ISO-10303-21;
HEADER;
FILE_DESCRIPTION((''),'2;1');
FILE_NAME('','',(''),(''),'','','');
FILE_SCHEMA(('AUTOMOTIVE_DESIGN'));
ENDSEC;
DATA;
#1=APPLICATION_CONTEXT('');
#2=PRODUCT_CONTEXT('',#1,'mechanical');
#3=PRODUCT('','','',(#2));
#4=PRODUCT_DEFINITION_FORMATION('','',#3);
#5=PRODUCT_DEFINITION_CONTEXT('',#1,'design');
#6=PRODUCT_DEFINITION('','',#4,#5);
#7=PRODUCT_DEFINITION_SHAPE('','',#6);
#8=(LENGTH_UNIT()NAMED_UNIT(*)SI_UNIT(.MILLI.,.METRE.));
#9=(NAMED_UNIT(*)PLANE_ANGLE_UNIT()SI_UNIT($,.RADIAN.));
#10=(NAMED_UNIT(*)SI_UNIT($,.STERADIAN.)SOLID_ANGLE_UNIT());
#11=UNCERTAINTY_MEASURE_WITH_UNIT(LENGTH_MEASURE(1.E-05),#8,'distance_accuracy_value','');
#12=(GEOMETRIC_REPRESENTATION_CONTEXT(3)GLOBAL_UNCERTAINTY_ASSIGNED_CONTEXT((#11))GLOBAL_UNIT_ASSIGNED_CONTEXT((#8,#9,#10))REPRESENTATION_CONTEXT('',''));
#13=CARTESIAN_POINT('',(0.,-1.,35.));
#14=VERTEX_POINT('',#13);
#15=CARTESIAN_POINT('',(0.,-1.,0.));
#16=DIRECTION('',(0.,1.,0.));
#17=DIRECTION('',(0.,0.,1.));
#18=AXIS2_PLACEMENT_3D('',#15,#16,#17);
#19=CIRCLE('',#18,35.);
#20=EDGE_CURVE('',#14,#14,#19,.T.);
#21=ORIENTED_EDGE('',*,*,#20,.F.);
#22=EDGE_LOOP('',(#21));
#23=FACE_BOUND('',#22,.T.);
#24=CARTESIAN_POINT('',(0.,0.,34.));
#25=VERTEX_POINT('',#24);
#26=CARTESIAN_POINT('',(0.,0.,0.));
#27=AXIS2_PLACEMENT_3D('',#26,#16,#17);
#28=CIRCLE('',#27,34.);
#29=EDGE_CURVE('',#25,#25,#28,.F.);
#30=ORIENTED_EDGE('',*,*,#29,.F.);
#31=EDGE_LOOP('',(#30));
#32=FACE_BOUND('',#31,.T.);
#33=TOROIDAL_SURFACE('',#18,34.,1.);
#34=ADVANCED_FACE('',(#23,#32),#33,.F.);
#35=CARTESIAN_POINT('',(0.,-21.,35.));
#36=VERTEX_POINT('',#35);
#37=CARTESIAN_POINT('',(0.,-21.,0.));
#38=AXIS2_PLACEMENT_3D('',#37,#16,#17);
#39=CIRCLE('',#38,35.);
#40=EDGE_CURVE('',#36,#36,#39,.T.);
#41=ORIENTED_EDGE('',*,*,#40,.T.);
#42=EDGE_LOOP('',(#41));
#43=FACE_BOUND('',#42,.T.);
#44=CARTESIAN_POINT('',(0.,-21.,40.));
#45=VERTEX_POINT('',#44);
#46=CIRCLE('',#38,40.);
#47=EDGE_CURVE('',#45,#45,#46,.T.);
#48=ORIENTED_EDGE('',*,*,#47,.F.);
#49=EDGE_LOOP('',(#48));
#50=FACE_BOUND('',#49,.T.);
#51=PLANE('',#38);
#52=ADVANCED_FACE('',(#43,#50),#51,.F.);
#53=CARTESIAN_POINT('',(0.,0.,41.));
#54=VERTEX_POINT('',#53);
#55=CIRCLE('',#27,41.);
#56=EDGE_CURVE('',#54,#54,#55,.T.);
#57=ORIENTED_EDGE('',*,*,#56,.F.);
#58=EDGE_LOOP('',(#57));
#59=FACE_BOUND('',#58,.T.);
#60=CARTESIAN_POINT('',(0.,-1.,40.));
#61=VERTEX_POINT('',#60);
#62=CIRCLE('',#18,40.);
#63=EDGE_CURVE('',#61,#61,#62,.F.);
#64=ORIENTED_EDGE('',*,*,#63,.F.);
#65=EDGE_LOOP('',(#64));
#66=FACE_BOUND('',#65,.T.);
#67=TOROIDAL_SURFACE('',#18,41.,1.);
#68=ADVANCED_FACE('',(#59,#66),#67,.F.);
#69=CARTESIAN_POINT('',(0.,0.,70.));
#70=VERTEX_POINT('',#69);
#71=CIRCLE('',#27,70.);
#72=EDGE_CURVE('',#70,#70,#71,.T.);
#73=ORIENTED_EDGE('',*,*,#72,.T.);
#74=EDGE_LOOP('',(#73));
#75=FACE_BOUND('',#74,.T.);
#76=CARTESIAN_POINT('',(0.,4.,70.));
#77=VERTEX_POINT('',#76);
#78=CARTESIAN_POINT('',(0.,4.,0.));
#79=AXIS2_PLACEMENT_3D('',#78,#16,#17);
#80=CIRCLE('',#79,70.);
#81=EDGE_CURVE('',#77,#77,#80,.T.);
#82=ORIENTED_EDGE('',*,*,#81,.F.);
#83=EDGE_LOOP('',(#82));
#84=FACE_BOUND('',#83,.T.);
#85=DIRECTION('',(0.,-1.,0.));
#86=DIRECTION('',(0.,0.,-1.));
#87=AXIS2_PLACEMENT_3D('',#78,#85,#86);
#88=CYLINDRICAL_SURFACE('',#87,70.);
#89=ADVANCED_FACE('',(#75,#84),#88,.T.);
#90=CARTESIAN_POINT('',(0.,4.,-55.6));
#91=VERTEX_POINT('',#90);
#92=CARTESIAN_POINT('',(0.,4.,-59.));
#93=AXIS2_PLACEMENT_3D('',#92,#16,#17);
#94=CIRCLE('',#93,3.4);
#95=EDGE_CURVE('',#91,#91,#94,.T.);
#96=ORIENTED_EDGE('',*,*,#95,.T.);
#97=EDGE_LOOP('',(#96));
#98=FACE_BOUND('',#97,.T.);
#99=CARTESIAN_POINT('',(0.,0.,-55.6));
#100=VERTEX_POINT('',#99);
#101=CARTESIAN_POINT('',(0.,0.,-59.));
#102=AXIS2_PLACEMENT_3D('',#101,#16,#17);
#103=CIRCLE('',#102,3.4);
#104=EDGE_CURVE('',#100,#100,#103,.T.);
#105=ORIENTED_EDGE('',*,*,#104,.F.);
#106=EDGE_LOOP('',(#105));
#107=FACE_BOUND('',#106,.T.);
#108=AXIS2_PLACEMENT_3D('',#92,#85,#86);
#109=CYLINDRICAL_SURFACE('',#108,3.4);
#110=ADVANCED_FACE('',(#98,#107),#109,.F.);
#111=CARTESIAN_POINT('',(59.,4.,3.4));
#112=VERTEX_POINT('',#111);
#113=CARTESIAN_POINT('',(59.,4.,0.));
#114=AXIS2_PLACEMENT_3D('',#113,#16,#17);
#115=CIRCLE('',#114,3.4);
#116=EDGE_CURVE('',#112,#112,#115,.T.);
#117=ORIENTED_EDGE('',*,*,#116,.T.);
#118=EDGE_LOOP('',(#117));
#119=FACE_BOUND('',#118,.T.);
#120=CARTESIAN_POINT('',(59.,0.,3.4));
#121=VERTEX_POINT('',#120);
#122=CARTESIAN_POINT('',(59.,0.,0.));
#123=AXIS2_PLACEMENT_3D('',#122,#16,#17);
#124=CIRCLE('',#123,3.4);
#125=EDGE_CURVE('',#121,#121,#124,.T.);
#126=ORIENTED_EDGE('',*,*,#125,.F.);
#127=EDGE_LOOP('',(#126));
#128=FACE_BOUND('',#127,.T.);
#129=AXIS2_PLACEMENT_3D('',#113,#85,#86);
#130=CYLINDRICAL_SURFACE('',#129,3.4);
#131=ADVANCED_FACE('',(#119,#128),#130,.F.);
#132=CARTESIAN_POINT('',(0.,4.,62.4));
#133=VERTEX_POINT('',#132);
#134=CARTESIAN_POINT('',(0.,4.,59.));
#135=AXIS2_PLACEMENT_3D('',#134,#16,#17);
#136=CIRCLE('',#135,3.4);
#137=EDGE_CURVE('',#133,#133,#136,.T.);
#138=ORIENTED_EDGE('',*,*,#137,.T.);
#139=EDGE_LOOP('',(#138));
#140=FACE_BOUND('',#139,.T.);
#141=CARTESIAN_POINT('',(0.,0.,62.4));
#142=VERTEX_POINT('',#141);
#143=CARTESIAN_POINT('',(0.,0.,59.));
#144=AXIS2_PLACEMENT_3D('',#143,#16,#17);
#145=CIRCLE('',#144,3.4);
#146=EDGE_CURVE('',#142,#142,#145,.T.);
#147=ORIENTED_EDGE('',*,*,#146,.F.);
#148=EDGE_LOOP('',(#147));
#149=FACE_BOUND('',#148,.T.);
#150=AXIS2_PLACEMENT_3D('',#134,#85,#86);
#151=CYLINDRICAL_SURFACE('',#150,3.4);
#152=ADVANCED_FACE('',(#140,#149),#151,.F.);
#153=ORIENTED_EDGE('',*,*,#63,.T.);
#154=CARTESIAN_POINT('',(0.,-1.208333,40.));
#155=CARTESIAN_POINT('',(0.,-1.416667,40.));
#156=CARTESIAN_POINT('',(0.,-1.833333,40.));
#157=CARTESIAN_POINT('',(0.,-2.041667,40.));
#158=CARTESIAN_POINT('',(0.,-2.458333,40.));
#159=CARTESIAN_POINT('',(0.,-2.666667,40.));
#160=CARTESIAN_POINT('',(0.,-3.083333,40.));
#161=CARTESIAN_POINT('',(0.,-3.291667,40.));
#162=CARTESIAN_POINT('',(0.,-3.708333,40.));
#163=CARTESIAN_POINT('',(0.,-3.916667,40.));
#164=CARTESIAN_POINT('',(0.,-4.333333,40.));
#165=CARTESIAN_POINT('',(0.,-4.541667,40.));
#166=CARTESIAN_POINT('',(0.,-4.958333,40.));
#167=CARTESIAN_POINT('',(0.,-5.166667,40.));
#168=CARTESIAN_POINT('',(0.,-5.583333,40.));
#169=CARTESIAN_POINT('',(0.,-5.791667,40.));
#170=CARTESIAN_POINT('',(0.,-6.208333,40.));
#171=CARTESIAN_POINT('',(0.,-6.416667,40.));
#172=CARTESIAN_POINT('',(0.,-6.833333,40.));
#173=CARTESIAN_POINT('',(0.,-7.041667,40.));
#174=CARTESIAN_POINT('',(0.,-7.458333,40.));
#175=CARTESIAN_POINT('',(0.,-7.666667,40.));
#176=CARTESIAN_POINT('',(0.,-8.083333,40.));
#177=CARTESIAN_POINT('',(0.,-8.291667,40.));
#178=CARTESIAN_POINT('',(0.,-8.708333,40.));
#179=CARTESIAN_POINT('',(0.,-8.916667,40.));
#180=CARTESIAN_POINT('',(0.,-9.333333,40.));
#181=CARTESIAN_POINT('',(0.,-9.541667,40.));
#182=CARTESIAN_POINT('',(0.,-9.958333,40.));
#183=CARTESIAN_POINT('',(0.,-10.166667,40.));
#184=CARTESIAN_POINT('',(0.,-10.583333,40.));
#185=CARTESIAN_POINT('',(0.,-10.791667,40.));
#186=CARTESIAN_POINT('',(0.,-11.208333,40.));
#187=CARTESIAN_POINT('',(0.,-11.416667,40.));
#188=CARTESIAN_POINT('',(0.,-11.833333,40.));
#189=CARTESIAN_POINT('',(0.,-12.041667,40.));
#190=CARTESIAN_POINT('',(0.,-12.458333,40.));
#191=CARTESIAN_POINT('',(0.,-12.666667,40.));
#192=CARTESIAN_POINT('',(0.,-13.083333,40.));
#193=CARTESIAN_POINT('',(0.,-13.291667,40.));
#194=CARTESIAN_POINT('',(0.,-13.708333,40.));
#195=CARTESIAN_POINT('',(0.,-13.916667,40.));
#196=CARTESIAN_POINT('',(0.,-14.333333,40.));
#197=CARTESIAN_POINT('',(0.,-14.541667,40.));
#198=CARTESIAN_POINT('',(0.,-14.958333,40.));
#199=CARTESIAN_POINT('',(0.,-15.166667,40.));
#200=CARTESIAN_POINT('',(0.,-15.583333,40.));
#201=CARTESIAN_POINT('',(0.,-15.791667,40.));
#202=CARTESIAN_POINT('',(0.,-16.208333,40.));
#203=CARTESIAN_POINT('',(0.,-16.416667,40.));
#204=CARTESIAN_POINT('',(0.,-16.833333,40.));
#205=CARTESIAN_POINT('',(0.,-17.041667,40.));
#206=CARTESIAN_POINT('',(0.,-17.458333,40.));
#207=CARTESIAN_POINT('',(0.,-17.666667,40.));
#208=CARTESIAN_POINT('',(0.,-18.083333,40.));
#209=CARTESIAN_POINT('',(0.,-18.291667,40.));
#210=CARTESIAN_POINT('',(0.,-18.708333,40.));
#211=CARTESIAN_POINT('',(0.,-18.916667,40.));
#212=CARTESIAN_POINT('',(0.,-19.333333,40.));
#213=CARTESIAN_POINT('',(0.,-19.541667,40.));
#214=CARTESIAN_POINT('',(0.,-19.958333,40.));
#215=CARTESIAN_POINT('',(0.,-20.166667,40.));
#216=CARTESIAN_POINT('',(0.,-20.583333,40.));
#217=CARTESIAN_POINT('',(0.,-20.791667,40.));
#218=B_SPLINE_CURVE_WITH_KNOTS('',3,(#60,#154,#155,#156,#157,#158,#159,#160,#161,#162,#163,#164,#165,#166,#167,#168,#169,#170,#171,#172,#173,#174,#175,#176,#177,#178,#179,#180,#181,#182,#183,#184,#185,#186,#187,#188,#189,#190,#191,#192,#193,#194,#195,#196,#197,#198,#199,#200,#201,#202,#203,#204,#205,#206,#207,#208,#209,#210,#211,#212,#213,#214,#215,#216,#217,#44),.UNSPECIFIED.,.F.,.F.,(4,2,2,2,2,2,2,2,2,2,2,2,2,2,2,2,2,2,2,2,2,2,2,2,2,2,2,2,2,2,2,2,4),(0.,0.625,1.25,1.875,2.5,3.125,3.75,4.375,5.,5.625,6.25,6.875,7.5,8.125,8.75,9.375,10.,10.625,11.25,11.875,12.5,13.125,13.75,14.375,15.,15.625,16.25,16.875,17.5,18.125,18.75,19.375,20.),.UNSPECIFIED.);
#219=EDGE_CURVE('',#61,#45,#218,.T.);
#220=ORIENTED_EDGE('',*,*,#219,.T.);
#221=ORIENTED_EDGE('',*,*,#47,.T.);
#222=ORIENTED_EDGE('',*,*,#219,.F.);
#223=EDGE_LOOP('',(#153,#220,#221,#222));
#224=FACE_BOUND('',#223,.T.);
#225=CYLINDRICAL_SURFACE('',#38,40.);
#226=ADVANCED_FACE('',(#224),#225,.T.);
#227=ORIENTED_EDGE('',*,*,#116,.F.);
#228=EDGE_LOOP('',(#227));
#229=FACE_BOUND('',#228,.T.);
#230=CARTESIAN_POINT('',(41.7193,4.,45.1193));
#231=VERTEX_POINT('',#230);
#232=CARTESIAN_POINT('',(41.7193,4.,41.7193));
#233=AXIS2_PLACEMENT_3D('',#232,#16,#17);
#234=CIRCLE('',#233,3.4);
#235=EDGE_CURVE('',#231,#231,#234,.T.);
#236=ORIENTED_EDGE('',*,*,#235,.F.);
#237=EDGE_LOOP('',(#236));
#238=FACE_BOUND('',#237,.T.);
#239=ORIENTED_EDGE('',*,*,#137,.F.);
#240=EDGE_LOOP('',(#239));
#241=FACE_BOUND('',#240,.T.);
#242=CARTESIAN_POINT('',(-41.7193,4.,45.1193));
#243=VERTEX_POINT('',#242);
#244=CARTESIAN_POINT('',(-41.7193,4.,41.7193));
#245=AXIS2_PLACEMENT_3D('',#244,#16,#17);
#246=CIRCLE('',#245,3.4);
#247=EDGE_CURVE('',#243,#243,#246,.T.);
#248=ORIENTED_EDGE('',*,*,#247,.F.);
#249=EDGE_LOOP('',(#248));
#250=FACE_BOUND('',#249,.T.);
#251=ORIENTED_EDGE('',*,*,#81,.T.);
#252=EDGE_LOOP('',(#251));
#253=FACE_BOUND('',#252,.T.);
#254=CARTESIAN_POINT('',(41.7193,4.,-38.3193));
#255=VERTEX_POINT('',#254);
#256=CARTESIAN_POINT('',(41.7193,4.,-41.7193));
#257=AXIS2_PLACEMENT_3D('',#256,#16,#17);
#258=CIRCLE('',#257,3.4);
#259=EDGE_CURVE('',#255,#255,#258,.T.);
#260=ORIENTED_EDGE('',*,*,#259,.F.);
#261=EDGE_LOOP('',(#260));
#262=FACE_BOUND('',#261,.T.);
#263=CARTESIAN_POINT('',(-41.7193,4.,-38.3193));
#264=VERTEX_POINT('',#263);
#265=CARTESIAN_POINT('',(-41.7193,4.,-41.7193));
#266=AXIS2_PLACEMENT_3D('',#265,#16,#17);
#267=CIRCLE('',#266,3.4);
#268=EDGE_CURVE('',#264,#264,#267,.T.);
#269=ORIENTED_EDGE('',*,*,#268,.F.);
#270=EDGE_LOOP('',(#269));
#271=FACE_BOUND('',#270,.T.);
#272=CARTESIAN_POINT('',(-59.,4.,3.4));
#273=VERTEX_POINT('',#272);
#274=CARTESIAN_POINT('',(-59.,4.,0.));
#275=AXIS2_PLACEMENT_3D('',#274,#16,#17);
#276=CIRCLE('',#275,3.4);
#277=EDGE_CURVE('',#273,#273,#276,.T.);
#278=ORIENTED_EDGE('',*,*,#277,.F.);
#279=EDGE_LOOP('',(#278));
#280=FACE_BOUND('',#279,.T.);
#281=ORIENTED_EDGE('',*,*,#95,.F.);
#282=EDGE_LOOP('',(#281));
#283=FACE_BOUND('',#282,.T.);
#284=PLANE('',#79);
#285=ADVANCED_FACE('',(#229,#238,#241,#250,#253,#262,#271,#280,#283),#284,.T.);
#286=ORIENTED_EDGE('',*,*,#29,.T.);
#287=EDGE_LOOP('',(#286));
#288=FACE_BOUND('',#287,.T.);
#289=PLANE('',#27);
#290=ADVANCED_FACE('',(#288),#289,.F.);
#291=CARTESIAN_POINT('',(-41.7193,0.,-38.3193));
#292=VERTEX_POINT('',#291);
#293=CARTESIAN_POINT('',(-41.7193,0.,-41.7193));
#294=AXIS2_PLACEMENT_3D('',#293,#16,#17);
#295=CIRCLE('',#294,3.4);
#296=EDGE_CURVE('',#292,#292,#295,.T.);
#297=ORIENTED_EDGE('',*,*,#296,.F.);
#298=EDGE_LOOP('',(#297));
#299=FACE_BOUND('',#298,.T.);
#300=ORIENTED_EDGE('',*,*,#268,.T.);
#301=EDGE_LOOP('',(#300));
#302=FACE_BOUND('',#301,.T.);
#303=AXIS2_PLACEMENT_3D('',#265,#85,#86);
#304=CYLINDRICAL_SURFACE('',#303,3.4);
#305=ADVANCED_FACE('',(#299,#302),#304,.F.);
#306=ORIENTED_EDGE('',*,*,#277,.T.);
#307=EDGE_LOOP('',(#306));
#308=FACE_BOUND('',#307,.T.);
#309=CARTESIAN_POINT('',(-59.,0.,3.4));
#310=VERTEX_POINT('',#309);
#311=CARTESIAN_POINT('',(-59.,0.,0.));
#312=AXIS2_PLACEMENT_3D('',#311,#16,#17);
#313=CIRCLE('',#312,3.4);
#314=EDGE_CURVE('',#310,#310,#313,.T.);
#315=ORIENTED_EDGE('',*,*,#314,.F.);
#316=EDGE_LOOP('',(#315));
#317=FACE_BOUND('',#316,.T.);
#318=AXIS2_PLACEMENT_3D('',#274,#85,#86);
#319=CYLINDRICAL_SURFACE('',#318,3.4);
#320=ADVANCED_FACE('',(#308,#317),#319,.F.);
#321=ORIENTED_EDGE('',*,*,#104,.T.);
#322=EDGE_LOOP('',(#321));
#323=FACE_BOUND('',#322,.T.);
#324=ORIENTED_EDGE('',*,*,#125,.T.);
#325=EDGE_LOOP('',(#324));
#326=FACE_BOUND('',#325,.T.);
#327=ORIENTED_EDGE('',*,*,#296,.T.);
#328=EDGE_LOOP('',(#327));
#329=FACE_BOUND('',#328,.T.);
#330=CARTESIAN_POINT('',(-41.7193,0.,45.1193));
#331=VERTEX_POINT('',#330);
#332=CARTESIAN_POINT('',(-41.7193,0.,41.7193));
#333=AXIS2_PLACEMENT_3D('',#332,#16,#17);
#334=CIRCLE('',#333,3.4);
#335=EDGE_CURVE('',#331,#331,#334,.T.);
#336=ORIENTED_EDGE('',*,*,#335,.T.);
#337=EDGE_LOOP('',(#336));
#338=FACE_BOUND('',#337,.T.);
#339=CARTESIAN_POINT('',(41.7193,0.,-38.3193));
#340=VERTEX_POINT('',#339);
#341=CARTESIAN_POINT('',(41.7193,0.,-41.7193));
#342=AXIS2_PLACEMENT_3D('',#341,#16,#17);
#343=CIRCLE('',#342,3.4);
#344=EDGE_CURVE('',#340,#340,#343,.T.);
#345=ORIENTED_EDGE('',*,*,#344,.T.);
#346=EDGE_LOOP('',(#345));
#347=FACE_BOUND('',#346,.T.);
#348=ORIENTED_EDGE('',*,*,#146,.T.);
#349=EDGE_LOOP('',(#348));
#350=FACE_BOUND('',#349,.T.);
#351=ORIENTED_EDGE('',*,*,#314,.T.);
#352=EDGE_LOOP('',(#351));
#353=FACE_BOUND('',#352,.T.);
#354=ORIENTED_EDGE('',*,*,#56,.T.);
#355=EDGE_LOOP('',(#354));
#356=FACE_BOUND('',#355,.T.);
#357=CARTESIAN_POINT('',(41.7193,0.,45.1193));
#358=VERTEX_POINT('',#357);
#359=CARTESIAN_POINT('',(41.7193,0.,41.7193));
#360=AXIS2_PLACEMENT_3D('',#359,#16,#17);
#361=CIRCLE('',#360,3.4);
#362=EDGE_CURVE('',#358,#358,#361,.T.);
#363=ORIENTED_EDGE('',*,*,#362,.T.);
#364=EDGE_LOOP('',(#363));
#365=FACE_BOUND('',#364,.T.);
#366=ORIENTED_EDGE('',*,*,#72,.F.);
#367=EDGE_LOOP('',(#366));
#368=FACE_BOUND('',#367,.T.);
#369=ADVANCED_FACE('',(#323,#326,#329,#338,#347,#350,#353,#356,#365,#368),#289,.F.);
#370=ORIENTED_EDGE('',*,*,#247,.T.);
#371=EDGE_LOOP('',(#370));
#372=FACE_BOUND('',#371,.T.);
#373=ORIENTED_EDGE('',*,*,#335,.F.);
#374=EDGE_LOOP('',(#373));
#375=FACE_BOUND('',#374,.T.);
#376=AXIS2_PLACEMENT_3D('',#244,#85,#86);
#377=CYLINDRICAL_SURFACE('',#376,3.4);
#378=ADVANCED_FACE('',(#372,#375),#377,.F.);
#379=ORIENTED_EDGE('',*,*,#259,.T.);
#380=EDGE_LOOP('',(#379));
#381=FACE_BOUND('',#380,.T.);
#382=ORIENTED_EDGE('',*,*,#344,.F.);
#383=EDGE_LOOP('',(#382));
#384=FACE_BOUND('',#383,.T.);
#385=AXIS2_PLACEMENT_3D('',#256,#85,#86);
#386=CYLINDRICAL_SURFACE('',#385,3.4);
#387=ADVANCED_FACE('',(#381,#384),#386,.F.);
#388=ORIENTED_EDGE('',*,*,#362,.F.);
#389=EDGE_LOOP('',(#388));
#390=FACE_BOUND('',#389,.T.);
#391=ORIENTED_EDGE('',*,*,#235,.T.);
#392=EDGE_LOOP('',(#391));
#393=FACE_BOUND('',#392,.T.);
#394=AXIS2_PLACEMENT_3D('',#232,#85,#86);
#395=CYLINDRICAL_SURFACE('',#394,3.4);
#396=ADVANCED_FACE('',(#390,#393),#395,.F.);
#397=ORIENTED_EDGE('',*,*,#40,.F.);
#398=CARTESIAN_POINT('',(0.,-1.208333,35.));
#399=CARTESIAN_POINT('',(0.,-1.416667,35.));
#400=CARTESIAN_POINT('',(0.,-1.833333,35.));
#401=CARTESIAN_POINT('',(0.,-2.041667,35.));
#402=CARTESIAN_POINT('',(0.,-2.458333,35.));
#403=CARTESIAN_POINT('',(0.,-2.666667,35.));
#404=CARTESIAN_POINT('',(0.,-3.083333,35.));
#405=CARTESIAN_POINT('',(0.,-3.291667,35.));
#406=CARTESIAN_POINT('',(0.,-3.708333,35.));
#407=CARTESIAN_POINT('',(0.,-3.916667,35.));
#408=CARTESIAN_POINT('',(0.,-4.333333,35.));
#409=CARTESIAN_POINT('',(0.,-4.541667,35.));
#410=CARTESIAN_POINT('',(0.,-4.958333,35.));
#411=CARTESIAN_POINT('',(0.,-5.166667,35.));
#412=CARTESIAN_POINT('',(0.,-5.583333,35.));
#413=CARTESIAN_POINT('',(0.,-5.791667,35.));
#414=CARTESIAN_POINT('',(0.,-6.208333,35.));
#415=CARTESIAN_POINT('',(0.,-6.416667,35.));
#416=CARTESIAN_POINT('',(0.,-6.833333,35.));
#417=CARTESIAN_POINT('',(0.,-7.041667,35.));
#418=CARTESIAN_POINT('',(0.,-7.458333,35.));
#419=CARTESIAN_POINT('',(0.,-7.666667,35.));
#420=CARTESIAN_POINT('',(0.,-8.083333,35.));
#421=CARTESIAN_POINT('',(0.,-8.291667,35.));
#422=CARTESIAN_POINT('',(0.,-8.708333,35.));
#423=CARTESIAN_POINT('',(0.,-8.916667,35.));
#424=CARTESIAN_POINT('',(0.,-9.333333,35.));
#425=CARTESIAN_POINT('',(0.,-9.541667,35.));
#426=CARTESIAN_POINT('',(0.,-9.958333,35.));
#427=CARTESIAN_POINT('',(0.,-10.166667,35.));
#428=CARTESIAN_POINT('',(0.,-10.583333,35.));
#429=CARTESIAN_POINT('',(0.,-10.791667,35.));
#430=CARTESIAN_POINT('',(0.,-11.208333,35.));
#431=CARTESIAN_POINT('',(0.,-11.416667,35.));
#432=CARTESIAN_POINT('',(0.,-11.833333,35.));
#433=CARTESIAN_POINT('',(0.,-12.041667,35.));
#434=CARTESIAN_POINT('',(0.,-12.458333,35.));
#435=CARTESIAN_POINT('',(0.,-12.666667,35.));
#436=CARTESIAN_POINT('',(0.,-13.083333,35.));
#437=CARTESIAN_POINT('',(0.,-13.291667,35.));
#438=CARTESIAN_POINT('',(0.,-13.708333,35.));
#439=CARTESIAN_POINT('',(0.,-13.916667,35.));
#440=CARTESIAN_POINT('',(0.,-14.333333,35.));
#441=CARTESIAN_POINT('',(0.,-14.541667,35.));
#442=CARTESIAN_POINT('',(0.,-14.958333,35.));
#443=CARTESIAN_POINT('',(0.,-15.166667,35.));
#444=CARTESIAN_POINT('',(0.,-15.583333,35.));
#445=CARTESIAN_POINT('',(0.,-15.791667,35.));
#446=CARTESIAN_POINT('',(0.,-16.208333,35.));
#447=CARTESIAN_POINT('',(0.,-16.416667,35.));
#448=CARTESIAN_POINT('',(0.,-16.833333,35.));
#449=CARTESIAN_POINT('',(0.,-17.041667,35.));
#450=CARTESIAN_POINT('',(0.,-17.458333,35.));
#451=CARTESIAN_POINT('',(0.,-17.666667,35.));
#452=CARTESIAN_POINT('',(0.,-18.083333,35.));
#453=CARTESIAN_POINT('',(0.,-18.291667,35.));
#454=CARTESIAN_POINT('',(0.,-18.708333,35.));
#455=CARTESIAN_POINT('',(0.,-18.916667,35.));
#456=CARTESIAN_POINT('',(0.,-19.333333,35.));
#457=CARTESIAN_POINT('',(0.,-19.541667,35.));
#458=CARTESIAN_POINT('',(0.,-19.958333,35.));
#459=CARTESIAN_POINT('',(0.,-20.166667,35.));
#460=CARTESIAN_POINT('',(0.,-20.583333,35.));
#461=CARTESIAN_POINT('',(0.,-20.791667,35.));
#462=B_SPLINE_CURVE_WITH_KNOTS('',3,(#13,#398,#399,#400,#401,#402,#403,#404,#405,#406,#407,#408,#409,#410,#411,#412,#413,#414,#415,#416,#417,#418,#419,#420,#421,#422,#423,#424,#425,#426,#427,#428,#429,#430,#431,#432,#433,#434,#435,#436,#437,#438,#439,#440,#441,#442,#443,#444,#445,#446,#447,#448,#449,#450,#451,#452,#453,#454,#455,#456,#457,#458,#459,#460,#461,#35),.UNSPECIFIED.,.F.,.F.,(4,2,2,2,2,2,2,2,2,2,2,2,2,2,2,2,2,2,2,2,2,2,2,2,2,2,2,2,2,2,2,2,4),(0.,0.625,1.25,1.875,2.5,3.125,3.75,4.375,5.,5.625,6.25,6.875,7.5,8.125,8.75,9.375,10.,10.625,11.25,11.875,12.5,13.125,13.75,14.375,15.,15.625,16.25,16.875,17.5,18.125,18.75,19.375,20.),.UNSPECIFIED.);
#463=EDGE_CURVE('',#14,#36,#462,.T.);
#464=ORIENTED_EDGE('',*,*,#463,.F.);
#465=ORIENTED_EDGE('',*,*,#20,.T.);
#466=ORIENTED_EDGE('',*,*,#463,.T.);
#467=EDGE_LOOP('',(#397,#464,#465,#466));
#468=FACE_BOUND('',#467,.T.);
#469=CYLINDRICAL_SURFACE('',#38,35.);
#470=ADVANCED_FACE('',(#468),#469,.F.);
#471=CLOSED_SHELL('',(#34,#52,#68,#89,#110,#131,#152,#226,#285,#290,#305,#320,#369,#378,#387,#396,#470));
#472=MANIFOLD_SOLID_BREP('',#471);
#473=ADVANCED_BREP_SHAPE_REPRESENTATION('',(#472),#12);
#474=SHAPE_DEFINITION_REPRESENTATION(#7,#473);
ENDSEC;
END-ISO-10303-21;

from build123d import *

# Parameters (mm, degrees)
SKETCH_1_R      = 70
SKETCH_1_R_2    = 3.4
EXTRUDE_1_DEPTH = 4
SKETCH_2_R      = 40
SKETCH_2_R_2    = 35
EXTRUDE_2_DEPTH = 21
FILLET_2_R      = 1


with BuildPart() as part:
    # Эскиз1 → Бобышка-Вытянуть1 (new body)
    with BuildSketch(Plane(origin=(0, 0, 0), x_dir=(1, 0, 0), z_dir=(0, 1, 0))):
        with Locations(Location((0, 0, 0), (0, 0, 270))):
            Circle(SKETCH_1_R)
        with Locations(Location((59, 0, 0), (0, 0, 270))):
            Circle(SKETCH_1_R_2, mode=Mode.SUBTRACT)
        with Locations(Location((41.71930009, -41.71930009, 0), (0, 0, 270))):
            Circle(SKETCH_1_R_2, mode=Mode.SUBTRACT)
        with Locations(Location((0, -59, 0), (0, 0, 270))):
            Circle(SKETCH_1_R_2, mode=Mode.SUBTRACT)
        with Locations(Location((-41.71930009, -41.71930009, 0), (0, 0, 270))):
            Circle(SKETCH_1_R_2, mode=Mode.SUBTRACT)
        with Locations(Location((-59, 0, 0), (0, 0, 270))):
            Circle(SKETCH_1_R_2, mode=Mode.SUBTRACT)
        with Locations(Location((-41.71930009, 41.71930009, 0), (0, 0, 270))):
            Circle(SKETCH_1_R_2, mode=Mode.SUBTRACT)
        with Locations(Location((0, 59, 0), (0, 0, 270))):
            Circle(SKETCH_1_R_2, mode=Mode.SUBTRACT)
        with Locations(Location((41.71930009, 41.71930009, 0), (0, 0, 270))):
            Circle(SKETCH_1_R_2, mode=Mode.SUBTRACT)
    extrude(amount=EXTRUDE_1_DEPTH)

    # Эскиз2 → Бобышка-Вытянуть2 (add)
    with BuildSketch(Plane(origin=(0, 0, 0), x_dir=(1, 0, 0), z_dir=(0, 1, 0))):
        with Locations(Location((0, 0, 0), (0, 0, 270))):
            Circle(SKETCH_2_R)
        with Locations(Location((0, 0, 0), (0, 0, 270))):
            Circle(SKETCH_2_R_2, mode=Mode.SUBTRACT)
    extrude(amount=-EXTRUDE_2_DEPTH)

    # Скругление2
    fillet_2_edges = [part.edges().sort_by_distance(p)[0] for p in [
        (0, 0, -35),
        (0, 0, -40),
    ]]
    fillet(fillet_2_edges, radius=FILLET_2_R)


solid = part.part
